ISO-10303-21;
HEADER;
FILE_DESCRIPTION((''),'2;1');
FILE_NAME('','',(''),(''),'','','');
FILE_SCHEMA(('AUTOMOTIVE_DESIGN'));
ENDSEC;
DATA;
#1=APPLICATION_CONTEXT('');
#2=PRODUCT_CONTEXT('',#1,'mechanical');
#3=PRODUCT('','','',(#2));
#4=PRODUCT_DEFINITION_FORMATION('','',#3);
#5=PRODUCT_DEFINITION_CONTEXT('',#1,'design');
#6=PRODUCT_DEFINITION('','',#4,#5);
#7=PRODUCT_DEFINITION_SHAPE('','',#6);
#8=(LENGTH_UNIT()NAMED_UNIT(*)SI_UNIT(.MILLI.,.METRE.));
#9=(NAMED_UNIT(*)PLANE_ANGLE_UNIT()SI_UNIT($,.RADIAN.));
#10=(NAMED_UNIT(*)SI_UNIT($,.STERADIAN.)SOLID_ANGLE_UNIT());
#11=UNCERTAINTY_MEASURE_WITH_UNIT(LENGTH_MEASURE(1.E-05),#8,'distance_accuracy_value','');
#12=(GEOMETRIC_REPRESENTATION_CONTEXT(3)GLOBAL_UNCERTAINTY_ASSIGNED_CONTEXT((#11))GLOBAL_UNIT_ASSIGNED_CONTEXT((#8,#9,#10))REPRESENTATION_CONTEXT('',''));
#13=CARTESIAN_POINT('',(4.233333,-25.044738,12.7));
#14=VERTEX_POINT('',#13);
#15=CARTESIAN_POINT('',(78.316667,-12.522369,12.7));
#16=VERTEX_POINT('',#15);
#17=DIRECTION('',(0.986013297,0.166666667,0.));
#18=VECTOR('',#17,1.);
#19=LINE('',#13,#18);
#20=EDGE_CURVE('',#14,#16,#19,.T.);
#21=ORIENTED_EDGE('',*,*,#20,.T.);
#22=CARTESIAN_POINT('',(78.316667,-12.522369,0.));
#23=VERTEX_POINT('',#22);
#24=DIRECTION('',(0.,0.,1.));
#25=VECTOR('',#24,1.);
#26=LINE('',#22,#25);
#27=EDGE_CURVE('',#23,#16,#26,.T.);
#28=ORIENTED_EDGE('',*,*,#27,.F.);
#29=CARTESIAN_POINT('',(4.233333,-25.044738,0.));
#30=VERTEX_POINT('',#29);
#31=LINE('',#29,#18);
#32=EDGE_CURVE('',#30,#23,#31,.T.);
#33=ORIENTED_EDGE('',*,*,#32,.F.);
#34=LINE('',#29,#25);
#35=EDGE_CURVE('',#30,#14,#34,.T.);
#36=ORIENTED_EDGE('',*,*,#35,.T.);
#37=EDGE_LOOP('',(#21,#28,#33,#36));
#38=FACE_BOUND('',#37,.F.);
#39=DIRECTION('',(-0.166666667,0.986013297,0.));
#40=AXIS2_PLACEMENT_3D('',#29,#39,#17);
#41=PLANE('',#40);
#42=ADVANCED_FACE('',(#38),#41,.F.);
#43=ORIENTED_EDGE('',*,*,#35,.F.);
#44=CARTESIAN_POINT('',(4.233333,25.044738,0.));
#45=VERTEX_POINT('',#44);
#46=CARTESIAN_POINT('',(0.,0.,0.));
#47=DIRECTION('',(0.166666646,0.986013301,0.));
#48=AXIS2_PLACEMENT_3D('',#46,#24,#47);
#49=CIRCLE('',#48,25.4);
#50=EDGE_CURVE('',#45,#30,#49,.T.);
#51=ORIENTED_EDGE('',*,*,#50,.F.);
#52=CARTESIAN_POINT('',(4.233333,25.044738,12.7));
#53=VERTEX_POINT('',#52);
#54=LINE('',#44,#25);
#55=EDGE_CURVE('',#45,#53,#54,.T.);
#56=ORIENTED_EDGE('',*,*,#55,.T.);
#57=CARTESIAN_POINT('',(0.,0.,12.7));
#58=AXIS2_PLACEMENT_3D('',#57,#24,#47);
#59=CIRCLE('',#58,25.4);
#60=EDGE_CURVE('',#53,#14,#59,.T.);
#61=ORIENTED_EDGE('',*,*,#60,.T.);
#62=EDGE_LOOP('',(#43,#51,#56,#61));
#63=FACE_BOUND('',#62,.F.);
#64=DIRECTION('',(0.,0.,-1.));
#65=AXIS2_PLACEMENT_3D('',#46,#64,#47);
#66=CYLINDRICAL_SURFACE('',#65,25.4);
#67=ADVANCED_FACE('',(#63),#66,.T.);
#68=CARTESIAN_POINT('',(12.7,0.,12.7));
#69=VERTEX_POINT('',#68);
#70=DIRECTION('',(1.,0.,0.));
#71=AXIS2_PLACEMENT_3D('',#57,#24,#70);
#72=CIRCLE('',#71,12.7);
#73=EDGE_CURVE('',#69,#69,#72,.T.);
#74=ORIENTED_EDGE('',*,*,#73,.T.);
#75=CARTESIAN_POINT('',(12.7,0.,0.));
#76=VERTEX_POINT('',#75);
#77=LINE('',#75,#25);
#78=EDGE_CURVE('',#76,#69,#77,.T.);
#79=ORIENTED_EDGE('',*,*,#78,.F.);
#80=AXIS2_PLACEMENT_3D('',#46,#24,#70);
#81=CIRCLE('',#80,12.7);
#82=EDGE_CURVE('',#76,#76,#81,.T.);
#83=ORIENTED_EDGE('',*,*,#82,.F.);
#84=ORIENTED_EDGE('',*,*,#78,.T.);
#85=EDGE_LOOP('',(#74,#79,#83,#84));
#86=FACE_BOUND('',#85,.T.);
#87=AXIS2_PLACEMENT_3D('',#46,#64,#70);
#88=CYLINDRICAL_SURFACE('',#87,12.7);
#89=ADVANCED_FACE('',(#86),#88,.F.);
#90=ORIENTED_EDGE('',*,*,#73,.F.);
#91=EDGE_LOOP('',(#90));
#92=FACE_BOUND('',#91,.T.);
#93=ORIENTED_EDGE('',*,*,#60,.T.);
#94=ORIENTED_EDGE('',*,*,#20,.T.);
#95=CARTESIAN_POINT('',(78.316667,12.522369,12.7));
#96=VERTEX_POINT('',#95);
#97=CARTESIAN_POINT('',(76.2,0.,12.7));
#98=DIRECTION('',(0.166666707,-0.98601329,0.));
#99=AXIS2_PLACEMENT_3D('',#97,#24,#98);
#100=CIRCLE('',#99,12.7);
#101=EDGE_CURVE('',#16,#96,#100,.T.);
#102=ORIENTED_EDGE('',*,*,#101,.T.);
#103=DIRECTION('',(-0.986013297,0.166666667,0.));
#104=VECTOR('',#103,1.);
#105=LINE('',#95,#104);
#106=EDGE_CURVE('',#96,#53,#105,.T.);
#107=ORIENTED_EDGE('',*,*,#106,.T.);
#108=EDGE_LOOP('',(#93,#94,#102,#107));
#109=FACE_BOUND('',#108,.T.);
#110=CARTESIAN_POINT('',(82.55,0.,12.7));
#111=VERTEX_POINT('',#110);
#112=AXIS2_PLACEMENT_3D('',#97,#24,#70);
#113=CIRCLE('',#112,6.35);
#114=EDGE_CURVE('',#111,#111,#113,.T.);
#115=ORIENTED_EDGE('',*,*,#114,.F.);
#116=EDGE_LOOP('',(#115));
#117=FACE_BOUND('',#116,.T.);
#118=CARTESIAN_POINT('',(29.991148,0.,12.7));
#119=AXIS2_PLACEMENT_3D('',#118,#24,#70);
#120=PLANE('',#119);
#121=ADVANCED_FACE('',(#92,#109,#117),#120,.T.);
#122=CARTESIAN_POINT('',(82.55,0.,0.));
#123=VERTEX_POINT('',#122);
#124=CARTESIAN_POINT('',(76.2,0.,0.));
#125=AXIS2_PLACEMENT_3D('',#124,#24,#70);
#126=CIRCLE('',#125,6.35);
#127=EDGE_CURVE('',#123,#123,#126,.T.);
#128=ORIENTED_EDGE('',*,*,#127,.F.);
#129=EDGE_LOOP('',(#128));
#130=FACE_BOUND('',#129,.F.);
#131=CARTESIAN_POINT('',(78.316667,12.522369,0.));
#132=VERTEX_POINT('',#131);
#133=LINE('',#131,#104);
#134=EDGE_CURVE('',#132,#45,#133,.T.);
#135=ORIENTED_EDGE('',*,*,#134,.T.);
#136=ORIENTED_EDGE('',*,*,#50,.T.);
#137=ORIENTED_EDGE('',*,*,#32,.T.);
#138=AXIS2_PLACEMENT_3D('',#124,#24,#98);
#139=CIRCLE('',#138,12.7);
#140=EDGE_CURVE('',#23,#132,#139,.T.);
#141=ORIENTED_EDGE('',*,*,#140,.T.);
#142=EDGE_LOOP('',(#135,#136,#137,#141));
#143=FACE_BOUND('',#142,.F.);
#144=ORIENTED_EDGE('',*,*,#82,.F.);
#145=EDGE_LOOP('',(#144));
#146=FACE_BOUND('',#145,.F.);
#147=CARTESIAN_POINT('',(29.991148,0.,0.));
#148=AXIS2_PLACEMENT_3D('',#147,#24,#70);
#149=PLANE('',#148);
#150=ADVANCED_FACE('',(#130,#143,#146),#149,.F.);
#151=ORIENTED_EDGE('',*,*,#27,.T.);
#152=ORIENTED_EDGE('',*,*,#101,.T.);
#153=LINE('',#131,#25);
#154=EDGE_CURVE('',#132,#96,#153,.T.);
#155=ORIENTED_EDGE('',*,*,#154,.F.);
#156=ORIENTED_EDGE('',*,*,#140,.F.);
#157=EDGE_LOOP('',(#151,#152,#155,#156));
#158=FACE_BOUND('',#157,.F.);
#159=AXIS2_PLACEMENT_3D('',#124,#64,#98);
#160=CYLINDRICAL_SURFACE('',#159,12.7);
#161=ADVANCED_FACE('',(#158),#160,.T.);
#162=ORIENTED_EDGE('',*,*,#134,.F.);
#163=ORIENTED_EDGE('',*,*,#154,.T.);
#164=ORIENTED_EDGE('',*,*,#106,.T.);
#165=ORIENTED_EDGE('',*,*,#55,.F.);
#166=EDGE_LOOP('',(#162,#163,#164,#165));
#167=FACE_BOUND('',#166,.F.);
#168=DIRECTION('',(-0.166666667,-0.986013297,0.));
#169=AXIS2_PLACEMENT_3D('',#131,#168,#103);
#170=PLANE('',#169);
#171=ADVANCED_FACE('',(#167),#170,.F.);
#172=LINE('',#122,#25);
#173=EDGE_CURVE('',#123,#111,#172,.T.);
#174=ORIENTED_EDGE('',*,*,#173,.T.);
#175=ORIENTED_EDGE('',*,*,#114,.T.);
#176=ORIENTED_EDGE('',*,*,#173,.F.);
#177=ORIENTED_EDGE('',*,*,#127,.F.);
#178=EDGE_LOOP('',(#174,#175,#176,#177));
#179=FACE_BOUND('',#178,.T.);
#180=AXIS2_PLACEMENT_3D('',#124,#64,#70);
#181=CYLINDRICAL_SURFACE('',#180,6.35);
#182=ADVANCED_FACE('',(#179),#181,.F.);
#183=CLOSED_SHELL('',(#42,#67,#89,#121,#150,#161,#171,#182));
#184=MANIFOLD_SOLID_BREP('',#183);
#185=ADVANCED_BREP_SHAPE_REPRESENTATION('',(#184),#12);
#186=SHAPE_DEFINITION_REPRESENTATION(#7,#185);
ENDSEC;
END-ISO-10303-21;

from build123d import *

# Parameters (mm, degrees)
F0_R     = 12.7
F0_R_2   = 6.35
F1_DEPTH = 12.7


with BuildPart() as f1:
    # F0 (on Top) → F1 (new body)
    with BuildSketch(Plane.XY):
        with BuildLine():
            Line((78.316667, 12.522369), (4.233333, 25.044738))
            ThreePointArc((4.233333, 25.044738), (-25.4, 0), (4.233333, -25.044738))
            Line((4.233333, -25.044738), (78.316667, -12.522369))
            ThreePointArc((78.316667, -12.522369), (88.9, 0), (78.316667, 12.522369))
        make_face()
        Circle(F0_R, mode=Mode.SUBTRACT)
        with Locations((76.2, 0)):
            Circle(F0_R_2, mode=Mode.SUBTRACT)
    extrude(amount=F1_DEPTH)


solid = f1.part
